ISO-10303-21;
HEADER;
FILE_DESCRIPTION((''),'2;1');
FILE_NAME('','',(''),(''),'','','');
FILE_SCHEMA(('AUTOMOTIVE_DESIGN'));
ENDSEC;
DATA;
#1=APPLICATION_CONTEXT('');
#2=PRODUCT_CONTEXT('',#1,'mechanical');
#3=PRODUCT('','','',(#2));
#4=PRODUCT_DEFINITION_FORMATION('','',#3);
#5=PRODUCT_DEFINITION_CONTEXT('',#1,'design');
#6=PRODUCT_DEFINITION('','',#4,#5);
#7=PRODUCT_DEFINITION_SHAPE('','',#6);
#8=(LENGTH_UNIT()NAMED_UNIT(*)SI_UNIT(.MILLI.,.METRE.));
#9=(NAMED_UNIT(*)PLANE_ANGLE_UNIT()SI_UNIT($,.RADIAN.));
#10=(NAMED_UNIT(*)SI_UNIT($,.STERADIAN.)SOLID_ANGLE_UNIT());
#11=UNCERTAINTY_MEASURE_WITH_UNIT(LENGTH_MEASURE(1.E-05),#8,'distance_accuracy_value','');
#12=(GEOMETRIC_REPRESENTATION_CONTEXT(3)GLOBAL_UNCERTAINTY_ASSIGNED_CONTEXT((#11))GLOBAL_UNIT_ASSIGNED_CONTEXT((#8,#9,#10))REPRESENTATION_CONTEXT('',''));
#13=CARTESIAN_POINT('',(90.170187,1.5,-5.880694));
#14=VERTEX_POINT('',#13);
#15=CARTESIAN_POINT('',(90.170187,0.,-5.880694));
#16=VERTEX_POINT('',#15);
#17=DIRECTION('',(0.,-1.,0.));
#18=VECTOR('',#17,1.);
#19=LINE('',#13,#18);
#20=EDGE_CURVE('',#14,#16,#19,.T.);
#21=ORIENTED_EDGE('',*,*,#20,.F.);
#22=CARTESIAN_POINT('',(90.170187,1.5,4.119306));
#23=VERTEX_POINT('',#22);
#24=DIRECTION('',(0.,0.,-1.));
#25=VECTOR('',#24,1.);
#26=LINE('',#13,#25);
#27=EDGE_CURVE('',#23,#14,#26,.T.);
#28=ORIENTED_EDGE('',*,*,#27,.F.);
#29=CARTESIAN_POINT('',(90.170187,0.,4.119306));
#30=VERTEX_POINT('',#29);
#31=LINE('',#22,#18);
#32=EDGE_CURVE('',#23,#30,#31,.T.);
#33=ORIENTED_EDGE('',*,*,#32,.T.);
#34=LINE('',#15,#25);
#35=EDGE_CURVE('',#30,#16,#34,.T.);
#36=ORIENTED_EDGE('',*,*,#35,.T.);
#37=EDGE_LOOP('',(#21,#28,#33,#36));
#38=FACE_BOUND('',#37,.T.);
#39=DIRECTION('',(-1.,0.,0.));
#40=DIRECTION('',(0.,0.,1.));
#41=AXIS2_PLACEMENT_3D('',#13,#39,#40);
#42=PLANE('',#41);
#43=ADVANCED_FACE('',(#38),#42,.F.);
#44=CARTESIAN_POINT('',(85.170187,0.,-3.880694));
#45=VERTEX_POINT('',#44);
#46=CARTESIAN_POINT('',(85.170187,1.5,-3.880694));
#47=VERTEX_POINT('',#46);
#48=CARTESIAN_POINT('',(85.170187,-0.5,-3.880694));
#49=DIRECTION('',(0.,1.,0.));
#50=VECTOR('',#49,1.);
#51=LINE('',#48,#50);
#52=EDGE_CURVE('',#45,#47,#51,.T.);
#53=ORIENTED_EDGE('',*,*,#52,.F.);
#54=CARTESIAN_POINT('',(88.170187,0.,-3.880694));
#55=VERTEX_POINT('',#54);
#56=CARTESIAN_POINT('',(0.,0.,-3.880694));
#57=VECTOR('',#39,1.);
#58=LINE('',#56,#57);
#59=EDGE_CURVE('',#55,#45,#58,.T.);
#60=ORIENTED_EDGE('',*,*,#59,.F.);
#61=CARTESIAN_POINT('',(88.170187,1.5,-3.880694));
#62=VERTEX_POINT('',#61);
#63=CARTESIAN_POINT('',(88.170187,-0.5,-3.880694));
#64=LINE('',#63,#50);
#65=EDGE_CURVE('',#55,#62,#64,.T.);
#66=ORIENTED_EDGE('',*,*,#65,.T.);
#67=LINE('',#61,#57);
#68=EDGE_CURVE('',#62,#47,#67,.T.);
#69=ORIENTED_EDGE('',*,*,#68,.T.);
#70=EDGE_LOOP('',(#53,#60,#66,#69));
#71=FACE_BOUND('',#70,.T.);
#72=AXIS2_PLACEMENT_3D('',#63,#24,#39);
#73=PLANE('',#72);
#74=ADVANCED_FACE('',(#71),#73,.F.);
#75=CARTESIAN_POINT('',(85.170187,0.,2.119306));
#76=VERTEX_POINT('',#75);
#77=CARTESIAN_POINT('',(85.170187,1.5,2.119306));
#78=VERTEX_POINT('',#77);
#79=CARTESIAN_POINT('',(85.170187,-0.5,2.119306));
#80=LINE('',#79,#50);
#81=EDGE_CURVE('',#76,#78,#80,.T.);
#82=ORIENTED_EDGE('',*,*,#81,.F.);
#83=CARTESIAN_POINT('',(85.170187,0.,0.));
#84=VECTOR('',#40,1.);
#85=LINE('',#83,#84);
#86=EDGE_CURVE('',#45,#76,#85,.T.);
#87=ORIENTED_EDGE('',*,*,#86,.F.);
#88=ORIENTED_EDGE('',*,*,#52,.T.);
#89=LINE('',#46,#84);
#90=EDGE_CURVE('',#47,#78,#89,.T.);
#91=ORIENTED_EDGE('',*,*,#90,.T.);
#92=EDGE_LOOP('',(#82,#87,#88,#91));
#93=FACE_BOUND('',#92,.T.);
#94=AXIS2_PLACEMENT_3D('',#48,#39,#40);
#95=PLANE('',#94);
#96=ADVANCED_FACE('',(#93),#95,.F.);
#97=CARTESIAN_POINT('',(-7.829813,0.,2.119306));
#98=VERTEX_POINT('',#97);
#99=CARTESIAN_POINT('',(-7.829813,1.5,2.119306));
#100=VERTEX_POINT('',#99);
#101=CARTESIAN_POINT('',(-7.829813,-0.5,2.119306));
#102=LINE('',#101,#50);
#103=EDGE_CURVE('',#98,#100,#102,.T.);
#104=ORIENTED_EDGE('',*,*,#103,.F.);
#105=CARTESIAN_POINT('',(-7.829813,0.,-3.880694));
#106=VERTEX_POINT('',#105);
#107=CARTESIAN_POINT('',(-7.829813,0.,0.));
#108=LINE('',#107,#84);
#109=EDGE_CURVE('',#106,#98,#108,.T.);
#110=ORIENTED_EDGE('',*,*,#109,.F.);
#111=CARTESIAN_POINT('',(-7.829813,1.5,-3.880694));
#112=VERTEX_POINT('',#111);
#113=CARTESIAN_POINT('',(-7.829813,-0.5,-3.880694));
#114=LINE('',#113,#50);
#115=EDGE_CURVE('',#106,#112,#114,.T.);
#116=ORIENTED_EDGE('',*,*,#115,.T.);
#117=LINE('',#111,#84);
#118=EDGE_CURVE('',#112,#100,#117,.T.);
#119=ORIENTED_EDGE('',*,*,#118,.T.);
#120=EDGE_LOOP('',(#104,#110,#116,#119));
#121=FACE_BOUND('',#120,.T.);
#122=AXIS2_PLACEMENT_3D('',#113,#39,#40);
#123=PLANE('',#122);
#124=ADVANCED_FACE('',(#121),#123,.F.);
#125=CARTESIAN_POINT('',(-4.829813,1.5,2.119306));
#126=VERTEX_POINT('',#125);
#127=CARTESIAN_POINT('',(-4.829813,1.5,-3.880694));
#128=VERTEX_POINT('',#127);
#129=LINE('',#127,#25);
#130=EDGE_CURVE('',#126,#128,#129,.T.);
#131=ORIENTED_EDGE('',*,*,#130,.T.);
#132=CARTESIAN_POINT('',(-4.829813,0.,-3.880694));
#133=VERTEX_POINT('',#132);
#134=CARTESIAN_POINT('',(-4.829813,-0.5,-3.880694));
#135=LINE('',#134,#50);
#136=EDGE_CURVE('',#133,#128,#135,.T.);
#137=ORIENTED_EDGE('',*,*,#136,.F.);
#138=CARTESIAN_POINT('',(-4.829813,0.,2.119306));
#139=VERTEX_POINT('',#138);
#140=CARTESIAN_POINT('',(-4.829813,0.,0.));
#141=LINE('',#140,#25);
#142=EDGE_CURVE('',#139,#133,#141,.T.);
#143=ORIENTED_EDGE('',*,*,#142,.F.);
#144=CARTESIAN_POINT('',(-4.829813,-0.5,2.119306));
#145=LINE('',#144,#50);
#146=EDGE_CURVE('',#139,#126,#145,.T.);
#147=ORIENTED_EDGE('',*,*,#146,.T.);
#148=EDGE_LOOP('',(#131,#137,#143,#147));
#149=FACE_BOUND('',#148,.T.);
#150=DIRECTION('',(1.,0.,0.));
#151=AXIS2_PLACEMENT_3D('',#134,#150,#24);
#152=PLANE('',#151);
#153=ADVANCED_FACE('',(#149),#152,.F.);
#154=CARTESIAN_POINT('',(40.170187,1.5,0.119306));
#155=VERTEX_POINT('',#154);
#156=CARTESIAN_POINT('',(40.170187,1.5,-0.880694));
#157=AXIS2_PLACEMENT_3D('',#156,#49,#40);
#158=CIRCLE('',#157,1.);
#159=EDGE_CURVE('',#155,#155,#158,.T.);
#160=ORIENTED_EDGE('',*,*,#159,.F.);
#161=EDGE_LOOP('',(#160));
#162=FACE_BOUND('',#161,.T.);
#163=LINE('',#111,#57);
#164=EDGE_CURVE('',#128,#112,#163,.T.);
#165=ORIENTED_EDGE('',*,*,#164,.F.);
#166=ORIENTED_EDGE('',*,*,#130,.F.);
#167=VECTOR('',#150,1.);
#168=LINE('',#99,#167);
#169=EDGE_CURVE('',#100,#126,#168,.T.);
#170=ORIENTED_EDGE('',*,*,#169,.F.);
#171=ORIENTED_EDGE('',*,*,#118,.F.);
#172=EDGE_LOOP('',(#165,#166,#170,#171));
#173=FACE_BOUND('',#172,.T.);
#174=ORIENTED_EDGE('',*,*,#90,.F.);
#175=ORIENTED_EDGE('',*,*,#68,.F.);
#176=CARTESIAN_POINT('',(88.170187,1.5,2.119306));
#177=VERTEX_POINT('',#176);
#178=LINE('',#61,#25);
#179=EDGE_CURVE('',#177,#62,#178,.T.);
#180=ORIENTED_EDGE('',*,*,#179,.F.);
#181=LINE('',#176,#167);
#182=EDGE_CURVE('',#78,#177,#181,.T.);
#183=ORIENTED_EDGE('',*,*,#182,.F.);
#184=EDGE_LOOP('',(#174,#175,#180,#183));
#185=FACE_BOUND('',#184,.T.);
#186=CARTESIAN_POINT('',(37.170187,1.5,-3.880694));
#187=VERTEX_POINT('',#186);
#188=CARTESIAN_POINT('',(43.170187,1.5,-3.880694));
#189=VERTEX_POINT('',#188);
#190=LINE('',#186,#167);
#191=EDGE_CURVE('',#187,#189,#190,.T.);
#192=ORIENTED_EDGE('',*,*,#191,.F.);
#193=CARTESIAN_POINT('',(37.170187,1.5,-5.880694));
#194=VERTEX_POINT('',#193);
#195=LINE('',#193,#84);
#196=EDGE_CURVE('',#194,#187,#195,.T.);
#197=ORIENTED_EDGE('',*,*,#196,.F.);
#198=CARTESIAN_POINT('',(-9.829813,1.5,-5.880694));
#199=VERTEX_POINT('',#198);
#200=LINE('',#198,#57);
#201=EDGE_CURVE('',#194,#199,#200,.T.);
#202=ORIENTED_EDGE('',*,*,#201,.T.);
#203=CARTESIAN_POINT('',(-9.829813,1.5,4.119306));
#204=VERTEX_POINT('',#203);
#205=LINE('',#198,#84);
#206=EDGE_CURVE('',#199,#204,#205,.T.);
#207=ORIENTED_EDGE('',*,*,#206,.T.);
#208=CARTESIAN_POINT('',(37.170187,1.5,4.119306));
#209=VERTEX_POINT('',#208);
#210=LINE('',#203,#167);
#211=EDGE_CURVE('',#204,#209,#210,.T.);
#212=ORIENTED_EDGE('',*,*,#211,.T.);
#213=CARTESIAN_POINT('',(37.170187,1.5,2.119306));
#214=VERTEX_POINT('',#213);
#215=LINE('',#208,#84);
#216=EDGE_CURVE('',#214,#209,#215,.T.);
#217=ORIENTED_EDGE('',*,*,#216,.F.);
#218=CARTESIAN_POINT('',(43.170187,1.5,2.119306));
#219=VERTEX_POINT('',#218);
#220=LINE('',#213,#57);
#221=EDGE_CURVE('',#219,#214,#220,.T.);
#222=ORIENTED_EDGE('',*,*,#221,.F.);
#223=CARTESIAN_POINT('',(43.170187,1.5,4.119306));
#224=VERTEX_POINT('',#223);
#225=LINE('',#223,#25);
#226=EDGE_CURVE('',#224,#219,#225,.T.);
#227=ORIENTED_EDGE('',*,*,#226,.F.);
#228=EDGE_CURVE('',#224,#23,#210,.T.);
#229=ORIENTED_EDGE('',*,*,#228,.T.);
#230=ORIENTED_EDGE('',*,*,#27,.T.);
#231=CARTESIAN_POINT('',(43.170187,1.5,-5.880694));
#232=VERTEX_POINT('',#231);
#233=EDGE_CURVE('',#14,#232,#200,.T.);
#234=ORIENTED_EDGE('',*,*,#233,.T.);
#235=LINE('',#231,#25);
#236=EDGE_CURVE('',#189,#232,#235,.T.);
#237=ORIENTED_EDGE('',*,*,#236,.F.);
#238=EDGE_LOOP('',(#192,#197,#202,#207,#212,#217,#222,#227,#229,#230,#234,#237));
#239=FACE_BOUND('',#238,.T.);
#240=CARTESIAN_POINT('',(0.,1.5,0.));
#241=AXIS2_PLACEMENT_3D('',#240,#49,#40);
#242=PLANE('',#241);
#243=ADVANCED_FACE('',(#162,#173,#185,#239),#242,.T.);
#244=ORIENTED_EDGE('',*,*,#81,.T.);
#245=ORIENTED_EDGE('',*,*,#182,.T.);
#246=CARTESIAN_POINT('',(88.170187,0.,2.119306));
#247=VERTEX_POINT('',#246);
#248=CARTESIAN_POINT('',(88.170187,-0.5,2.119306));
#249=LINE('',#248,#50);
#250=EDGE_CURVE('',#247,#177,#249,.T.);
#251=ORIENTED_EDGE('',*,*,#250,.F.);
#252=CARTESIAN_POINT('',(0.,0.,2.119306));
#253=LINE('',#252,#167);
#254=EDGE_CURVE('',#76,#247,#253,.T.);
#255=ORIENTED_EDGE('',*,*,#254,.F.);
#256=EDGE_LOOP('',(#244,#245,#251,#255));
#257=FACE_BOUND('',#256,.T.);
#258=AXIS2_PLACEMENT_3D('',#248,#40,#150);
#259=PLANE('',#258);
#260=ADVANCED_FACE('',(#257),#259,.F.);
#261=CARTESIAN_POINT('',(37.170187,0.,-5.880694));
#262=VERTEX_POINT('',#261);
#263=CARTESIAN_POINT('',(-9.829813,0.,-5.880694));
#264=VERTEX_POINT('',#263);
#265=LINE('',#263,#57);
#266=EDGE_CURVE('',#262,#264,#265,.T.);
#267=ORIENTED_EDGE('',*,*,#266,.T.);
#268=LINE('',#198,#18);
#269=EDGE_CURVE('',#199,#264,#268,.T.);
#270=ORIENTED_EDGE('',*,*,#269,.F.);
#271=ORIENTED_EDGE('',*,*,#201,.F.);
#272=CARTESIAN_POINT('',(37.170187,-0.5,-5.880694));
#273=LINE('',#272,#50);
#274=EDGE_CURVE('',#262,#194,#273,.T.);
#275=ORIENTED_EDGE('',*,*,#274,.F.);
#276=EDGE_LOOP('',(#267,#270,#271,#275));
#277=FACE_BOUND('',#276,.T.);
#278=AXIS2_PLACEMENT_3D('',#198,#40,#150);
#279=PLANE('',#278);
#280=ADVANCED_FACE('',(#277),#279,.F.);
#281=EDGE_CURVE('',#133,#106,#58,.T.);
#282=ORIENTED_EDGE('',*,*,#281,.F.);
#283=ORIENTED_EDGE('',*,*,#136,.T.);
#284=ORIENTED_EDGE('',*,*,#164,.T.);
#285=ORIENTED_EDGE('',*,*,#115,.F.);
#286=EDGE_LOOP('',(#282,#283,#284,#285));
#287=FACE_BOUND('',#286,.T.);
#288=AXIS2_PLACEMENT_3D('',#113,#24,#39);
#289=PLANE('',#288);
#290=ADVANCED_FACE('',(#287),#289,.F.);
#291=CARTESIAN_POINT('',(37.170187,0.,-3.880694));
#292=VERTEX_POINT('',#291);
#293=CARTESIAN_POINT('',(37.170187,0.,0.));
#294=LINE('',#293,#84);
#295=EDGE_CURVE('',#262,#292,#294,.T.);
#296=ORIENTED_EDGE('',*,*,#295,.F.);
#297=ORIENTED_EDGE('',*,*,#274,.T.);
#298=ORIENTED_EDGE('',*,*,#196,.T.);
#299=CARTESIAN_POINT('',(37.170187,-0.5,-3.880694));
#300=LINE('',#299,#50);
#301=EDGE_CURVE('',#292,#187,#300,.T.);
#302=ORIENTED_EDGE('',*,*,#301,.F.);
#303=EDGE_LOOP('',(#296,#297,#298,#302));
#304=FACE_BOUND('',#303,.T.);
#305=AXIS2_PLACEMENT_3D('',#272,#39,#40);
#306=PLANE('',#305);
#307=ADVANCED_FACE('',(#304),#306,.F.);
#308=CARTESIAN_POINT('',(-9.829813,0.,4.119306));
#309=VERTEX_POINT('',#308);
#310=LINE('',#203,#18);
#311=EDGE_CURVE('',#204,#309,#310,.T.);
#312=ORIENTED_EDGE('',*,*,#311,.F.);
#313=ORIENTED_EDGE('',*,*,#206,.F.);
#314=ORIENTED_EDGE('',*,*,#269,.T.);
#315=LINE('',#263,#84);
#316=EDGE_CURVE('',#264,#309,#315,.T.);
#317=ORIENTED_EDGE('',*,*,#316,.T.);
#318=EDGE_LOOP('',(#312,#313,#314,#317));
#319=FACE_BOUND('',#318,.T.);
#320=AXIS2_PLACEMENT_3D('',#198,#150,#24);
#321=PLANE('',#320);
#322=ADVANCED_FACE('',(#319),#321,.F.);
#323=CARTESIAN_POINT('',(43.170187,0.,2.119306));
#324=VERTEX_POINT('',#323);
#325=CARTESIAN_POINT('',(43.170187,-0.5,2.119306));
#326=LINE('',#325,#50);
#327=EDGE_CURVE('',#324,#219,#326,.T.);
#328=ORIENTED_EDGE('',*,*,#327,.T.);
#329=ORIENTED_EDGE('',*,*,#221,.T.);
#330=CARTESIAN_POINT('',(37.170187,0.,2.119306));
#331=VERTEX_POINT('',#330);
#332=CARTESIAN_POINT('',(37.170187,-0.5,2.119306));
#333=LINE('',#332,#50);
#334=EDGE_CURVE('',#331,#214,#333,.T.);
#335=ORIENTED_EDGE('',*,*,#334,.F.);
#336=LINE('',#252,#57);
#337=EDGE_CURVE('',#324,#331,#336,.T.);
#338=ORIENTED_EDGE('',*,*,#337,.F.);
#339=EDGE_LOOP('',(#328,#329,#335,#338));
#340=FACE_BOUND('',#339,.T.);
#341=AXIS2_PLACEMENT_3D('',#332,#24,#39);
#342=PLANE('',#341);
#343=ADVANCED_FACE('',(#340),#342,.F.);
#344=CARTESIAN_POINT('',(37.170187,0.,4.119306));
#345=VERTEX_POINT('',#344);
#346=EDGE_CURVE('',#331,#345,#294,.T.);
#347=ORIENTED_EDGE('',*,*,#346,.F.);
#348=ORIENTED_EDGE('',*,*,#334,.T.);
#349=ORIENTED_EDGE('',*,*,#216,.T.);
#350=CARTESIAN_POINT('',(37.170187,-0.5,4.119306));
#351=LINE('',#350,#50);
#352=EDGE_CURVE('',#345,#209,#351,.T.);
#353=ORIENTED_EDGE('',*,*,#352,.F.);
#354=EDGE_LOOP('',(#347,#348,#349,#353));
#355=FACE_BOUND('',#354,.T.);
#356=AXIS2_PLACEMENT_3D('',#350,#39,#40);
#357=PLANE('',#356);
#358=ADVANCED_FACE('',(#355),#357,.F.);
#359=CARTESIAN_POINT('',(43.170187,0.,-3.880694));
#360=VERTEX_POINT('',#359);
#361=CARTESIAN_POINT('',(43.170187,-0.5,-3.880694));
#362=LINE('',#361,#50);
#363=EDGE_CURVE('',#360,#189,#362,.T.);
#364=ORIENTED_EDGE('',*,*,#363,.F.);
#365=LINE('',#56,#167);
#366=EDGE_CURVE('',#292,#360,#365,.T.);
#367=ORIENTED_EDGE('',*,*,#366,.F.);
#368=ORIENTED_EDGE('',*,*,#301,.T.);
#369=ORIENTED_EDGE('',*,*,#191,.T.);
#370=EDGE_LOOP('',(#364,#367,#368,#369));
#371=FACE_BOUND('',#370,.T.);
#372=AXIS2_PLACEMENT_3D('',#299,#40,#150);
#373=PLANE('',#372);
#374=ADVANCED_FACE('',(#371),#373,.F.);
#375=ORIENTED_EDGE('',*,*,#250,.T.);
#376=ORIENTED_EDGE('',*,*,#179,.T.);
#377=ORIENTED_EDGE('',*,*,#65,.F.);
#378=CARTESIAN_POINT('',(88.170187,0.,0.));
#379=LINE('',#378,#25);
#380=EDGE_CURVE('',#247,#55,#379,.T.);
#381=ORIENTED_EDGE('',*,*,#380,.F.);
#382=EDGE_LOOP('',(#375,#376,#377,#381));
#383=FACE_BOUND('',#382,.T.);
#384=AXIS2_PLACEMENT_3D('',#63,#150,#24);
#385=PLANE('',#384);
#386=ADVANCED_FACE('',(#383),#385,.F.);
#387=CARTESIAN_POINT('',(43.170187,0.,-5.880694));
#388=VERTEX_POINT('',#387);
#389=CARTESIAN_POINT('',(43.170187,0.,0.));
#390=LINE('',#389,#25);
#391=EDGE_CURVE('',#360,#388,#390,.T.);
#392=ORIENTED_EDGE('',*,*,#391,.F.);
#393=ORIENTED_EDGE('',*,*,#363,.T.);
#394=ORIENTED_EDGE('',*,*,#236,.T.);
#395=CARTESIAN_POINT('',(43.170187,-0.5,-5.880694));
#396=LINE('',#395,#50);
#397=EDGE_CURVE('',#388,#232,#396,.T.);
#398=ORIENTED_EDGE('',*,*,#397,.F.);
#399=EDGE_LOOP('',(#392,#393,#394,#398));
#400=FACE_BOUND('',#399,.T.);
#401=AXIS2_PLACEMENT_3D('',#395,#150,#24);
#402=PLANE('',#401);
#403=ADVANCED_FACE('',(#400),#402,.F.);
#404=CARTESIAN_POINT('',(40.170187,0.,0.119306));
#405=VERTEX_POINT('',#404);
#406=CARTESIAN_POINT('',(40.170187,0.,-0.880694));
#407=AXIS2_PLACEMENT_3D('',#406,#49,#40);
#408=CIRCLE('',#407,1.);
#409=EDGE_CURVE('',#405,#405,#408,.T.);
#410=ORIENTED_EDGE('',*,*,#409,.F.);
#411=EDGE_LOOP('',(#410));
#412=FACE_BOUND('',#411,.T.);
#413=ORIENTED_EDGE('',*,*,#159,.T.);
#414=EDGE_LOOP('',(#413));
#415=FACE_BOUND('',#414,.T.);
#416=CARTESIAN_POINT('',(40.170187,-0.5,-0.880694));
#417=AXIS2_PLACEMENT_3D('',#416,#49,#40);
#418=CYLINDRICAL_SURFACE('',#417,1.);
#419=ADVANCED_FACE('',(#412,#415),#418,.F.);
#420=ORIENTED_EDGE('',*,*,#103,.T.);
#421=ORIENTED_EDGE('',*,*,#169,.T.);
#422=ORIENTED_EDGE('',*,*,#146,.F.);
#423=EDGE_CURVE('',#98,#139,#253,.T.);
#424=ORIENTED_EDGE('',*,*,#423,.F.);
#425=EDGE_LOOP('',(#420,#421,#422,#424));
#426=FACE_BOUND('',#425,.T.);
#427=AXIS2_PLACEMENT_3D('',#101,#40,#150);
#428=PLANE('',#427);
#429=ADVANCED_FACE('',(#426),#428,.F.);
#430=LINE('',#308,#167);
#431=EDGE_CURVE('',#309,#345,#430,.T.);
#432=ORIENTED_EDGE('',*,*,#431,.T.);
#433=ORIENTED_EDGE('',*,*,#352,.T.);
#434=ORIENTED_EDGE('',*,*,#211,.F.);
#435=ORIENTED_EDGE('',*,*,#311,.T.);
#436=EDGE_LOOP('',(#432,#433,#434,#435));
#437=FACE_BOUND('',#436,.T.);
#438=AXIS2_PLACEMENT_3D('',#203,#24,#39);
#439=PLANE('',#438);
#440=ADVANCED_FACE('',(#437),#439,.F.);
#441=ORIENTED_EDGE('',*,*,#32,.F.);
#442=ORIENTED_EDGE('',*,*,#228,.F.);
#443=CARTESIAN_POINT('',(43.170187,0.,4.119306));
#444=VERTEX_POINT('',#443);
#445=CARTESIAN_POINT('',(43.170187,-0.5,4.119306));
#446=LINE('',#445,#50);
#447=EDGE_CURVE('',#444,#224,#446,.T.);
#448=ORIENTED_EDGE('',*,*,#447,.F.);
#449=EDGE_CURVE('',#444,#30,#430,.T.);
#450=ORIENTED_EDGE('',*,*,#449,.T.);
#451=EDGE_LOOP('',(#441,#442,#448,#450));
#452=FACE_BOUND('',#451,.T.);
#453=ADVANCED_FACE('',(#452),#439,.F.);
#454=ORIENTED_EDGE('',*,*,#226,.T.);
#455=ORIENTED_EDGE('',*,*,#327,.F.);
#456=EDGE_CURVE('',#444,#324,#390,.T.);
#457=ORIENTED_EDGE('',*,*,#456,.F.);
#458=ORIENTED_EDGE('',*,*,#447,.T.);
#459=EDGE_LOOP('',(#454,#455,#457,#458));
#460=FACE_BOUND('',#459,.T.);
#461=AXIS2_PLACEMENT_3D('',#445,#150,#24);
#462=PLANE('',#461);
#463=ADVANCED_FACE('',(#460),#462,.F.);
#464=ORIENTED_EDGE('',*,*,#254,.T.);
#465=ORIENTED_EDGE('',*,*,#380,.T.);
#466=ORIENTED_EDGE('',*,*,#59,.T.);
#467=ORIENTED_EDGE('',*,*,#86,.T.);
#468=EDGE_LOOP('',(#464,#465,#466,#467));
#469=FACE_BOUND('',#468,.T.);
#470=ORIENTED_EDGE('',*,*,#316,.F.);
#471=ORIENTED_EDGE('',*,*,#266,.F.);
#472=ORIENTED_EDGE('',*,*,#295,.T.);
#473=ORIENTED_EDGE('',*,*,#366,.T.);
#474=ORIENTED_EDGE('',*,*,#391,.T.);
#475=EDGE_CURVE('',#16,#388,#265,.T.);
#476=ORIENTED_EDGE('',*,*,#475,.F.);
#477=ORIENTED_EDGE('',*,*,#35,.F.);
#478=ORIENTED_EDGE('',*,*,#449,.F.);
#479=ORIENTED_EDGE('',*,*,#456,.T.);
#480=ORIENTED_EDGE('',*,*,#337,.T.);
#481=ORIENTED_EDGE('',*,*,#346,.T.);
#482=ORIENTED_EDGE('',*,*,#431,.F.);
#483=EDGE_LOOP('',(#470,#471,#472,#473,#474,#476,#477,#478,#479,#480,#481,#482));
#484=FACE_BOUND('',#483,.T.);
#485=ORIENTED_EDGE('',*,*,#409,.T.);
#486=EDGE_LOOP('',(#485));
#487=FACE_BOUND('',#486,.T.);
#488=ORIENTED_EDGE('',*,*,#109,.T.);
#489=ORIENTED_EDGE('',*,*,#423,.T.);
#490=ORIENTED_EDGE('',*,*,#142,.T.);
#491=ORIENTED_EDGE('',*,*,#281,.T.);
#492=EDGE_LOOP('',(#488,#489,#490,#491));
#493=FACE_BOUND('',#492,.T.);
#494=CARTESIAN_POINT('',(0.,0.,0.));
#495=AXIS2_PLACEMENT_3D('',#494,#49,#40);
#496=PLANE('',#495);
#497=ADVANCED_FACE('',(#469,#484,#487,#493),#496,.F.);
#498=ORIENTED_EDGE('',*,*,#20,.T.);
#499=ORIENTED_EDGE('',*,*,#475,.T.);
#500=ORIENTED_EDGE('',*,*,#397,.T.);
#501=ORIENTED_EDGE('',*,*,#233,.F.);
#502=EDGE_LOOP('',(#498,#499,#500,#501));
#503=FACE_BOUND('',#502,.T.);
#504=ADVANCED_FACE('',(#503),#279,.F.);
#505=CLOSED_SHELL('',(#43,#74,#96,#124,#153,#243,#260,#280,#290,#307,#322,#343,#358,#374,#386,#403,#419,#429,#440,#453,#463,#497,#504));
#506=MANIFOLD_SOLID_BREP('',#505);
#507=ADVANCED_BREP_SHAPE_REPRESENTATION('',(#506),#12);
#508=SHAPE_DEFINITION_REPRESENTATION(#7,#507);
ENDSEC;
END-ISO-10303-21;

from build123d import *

# Parameters (mm, degrees)
SKETCH1_W           = 100
SKETCH1_H           = 10
BOSS_EXTRUDE1_DEPTH = 1.5
SKETCH2_R           = 1
CUT_EXTRUDE2_DEPTH  = 2
SKETCH5_W           = 6
SKETCH5_H           = 2
SKETCH5_W_2         = 3
SKETCH5_H_2         = 6
CUT_EXTRUDE4_DEPTH  = 2


with BuildPart() as part:
    # Sketch1 → Boss-Extrude1 (new body)
    with BuildSketch(Plane(origin=(0, 0, 0), x_dir=(1, 0, 0), z_dir=(0, 1, 0))):
        with Locations((40.170187286, 0.880693734)):
            Rectangle(SKETCH1_W, SKETCH1_H)
    extrude(amount=BOSS_EXTRUDE1_DEPTH)

    # Sketch2 → Cut-Extrude2 (cut)
    with BuildSketch(Plane(origin=(0, 1.5, 0), x_dir=(1, 0, 0), z_dir=(0, 1, 0))):
        with Locations((40.170187286, 0.880693734)):
            Circle(SKETCH2_R)
    extrude(amount=-CUT_EXTRUDE2_DEPTH, mode=Mode.SUBTRACT)

    # Sketch5 → Cut-Extrude4 (cut)
    with BuildSketch(Plane(origin=(0, 1.5, 0), x_dir=(1, 0, 0), z_dir=(0, 1, 0))):
        with Locations((40.170187286, 4.880693734)):
            Rectangle(SKETCH5_W, SKETCH5_H)
        with Locations((40.170187286, -3.119306266)):
            Rectangle(SKETCH5_W, SKETCH5_H)
        with Locations((-6.329812714, 0.880693734)):
            Rectangle(SKETCH5_W_2, SKETCH5_H_2)
        with Locations((86.670187286, 0.880693734)):
            Rectangle(SKETCH5_W_2, SKETCH5_H_2)
    extrude(amount=-CUT_EXTRUDE4_DEPTH, mode=Mode.SUBTRACT)


solid = part.part
